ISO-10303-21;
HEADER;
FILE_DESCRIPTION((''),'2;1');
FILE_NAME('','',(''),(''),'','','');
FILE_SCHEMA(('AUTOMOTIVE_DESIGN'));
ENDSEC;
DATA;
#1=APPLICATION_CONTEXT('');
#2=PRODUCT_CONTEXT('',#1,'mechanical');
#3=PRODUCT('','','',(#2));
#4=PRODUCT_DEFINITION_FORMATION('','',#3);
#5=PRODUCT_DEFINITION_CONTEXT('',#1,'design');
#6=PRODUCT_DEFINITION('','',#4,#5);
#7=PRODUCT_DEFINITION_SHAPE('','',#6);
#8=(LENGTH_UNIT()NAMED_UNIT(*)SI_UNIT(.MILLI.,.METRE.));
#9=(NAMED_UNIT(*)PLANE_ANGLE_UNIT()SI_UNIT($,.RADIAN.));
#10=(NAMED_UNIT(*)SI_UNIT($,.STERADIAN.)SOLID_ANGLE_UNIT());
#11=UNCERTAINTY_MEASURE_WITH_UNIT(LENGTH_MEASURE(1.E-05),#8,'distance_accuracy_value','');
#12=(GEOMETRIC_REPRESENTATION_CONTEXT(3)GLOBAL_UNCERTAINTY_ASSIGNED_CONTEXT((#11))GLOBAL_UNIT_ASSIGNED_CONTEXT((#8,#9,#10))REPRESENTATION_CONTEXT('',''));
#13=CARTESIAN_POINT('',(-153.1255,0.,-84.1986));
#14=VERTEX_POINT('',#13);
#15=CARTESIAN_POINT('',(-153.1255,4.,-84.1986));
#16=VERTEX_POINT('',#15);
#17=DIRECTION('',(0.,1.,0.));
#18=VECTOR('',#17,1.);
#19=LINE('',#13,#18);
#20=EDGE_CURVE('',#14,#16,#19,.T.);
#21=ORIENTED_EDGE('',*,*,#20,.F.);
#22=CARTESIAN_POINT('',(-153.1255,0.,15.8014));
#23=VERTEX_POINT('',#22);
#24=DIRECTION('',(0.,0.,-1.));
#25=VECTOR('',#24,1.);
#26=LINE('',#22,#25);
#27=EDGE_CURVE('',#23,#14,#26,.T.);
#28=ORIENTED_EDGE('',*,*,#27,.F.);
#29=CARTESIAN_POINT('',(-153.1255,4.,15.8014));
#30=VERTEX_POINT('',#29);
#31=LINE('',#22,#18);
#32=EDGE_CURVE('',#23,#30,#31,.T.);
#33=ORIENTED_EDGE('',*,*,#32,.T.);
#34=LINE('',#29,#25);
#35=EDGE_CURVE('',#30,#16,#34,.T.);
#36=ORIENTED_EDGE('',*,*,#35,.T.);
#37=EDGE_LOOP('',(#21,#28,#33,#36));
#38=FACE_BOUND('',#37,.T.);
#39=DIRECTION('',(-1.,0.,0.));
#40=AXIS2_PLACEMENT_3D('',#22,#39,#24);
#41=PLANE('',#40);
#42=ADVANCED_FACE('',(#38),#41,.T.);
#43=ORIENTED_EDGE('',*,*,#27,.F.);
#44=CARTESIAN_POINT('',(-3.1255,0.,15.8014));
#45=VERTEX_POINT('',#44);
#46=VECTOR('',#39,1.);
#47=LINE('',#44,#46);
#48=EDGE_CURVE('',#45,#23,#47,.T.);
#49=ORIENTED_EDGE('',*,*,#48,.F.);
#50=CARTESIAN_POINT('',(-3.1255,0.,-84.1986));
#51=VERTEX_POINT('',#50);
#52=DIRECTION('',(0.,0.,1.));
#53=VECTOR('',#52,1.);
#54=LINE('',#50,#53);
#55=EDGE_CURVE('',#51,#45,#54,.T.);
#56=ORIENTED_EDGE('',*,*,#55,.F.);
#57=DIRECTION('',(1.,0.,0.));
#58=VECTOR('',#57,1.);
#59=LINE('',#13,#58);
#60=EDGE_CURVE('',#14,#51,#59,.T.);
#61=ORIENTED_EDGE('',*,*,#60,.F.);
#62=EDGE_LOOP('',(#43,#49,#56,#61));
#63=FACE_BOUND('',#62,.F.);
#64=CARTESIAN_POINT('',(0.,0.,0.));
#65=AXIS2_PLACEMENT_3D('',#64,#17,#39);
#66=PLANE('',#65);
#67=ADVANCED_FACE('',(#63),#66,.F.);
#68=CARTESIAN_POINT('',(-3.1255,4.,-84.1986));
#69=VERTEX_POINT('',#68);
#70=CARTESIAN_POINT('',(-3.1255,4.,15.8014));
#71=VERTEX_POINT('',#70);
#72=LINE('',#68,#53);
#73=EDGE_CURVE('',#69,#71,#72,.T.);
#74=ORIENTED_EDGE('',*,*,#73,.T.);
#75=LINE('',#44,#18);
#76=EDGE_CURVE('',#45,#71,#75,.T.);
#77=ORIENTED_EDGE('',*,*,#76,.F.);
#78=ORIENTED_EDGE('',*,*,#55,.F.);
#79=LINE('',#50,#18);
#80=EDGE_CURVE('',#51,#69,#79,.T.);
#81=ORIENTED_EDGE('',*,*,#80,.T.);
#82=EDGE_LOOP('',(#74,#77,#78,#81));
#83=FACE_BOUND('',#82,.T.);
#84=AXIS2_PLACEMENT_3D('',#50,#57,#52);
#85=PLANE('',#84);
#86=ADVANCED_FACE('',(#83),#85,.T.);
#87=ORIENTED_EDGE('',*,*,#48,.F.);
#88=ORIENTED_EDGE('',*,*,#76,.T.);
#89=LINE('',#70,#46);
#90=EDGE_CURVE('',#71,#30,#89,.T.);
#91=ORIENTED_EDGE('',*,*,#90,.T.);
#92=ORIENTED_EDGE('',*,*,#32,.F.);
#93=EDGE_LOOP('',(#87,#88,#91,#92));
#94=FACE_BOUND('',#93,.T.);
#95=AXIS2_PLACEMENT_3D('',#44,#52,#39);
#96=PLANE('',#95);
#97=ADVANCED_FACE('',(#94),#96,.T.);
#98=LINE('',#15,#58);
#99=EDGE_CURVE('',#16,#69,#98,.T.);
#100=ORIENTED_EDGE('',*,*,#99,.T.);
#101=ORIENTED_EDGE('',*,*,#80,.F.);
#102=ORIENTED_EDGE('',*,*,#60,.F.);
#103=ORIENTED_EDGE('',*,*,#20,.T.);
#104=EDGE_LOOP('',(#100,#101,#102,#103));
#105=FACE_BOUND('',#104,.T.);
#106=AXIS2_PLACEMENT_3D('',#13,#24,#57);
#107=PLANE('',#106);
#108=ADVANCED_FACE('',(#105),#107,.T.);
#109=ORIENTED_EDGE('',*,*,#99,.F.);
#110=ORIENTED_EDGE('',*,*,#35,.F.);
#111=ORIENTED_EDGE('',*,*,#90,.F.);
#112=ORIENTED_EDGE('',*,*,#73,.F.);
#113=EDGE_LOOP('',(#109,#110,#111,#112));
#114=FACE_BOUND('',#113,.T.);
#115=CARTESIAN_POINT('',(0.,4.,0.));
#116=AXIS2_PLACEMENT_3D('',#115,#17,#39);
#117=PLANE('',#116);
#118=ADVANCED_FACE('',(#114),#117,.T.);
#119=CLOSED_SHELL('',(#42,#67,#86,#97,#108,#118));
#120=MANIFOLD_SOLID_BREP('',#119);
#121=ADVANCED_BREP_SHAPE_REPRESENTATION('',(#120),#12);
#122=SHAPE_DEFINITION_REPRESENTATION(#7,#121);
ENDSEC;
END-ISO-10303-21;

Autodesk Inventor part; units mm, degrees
ref_plane "YZ Plane" through (0, 0, 0) normal (1, 0, 0) x (0, 1, 0)
ref_plane "XZ Plane" through (0, 0, 0) normal (0, 1, 0) x (-1, 0, 0)
ref_plane "XY Plane" through (0, 0, 0) normal (0, 0, 1) x (1, 0, 0)
sketch "Boceto1" plane through (0, 0, 0) normal (0, 1, 0) x (-1, 0, 0)
  line L0 (3.1255, 15.8014) -> (153.1255, 15.8014)
  line L1 (153.1255, 15.8014) -> (153.1255, -84.1986)
  line L2 (153.1255, -84.1986) -> (3.1255, -84.1986)
  line L3 (3.1255, -84.1986) -> (3.1255, 15.8014)
  point P0 (0, 0)
  dimension "d0" = 150
  dimension "d1" = 100
extrude "Extrusión1" add sketch "Boceto1" along normal blind 4
sketch "Boceto2" plane through (0, 4, 0) normal (0, 1, 0) x (1, 0, 0)
  point P0 (0, 0)
properties part number "Placa de Mecanizado" material "MDF Medium Density Fiberboard"
